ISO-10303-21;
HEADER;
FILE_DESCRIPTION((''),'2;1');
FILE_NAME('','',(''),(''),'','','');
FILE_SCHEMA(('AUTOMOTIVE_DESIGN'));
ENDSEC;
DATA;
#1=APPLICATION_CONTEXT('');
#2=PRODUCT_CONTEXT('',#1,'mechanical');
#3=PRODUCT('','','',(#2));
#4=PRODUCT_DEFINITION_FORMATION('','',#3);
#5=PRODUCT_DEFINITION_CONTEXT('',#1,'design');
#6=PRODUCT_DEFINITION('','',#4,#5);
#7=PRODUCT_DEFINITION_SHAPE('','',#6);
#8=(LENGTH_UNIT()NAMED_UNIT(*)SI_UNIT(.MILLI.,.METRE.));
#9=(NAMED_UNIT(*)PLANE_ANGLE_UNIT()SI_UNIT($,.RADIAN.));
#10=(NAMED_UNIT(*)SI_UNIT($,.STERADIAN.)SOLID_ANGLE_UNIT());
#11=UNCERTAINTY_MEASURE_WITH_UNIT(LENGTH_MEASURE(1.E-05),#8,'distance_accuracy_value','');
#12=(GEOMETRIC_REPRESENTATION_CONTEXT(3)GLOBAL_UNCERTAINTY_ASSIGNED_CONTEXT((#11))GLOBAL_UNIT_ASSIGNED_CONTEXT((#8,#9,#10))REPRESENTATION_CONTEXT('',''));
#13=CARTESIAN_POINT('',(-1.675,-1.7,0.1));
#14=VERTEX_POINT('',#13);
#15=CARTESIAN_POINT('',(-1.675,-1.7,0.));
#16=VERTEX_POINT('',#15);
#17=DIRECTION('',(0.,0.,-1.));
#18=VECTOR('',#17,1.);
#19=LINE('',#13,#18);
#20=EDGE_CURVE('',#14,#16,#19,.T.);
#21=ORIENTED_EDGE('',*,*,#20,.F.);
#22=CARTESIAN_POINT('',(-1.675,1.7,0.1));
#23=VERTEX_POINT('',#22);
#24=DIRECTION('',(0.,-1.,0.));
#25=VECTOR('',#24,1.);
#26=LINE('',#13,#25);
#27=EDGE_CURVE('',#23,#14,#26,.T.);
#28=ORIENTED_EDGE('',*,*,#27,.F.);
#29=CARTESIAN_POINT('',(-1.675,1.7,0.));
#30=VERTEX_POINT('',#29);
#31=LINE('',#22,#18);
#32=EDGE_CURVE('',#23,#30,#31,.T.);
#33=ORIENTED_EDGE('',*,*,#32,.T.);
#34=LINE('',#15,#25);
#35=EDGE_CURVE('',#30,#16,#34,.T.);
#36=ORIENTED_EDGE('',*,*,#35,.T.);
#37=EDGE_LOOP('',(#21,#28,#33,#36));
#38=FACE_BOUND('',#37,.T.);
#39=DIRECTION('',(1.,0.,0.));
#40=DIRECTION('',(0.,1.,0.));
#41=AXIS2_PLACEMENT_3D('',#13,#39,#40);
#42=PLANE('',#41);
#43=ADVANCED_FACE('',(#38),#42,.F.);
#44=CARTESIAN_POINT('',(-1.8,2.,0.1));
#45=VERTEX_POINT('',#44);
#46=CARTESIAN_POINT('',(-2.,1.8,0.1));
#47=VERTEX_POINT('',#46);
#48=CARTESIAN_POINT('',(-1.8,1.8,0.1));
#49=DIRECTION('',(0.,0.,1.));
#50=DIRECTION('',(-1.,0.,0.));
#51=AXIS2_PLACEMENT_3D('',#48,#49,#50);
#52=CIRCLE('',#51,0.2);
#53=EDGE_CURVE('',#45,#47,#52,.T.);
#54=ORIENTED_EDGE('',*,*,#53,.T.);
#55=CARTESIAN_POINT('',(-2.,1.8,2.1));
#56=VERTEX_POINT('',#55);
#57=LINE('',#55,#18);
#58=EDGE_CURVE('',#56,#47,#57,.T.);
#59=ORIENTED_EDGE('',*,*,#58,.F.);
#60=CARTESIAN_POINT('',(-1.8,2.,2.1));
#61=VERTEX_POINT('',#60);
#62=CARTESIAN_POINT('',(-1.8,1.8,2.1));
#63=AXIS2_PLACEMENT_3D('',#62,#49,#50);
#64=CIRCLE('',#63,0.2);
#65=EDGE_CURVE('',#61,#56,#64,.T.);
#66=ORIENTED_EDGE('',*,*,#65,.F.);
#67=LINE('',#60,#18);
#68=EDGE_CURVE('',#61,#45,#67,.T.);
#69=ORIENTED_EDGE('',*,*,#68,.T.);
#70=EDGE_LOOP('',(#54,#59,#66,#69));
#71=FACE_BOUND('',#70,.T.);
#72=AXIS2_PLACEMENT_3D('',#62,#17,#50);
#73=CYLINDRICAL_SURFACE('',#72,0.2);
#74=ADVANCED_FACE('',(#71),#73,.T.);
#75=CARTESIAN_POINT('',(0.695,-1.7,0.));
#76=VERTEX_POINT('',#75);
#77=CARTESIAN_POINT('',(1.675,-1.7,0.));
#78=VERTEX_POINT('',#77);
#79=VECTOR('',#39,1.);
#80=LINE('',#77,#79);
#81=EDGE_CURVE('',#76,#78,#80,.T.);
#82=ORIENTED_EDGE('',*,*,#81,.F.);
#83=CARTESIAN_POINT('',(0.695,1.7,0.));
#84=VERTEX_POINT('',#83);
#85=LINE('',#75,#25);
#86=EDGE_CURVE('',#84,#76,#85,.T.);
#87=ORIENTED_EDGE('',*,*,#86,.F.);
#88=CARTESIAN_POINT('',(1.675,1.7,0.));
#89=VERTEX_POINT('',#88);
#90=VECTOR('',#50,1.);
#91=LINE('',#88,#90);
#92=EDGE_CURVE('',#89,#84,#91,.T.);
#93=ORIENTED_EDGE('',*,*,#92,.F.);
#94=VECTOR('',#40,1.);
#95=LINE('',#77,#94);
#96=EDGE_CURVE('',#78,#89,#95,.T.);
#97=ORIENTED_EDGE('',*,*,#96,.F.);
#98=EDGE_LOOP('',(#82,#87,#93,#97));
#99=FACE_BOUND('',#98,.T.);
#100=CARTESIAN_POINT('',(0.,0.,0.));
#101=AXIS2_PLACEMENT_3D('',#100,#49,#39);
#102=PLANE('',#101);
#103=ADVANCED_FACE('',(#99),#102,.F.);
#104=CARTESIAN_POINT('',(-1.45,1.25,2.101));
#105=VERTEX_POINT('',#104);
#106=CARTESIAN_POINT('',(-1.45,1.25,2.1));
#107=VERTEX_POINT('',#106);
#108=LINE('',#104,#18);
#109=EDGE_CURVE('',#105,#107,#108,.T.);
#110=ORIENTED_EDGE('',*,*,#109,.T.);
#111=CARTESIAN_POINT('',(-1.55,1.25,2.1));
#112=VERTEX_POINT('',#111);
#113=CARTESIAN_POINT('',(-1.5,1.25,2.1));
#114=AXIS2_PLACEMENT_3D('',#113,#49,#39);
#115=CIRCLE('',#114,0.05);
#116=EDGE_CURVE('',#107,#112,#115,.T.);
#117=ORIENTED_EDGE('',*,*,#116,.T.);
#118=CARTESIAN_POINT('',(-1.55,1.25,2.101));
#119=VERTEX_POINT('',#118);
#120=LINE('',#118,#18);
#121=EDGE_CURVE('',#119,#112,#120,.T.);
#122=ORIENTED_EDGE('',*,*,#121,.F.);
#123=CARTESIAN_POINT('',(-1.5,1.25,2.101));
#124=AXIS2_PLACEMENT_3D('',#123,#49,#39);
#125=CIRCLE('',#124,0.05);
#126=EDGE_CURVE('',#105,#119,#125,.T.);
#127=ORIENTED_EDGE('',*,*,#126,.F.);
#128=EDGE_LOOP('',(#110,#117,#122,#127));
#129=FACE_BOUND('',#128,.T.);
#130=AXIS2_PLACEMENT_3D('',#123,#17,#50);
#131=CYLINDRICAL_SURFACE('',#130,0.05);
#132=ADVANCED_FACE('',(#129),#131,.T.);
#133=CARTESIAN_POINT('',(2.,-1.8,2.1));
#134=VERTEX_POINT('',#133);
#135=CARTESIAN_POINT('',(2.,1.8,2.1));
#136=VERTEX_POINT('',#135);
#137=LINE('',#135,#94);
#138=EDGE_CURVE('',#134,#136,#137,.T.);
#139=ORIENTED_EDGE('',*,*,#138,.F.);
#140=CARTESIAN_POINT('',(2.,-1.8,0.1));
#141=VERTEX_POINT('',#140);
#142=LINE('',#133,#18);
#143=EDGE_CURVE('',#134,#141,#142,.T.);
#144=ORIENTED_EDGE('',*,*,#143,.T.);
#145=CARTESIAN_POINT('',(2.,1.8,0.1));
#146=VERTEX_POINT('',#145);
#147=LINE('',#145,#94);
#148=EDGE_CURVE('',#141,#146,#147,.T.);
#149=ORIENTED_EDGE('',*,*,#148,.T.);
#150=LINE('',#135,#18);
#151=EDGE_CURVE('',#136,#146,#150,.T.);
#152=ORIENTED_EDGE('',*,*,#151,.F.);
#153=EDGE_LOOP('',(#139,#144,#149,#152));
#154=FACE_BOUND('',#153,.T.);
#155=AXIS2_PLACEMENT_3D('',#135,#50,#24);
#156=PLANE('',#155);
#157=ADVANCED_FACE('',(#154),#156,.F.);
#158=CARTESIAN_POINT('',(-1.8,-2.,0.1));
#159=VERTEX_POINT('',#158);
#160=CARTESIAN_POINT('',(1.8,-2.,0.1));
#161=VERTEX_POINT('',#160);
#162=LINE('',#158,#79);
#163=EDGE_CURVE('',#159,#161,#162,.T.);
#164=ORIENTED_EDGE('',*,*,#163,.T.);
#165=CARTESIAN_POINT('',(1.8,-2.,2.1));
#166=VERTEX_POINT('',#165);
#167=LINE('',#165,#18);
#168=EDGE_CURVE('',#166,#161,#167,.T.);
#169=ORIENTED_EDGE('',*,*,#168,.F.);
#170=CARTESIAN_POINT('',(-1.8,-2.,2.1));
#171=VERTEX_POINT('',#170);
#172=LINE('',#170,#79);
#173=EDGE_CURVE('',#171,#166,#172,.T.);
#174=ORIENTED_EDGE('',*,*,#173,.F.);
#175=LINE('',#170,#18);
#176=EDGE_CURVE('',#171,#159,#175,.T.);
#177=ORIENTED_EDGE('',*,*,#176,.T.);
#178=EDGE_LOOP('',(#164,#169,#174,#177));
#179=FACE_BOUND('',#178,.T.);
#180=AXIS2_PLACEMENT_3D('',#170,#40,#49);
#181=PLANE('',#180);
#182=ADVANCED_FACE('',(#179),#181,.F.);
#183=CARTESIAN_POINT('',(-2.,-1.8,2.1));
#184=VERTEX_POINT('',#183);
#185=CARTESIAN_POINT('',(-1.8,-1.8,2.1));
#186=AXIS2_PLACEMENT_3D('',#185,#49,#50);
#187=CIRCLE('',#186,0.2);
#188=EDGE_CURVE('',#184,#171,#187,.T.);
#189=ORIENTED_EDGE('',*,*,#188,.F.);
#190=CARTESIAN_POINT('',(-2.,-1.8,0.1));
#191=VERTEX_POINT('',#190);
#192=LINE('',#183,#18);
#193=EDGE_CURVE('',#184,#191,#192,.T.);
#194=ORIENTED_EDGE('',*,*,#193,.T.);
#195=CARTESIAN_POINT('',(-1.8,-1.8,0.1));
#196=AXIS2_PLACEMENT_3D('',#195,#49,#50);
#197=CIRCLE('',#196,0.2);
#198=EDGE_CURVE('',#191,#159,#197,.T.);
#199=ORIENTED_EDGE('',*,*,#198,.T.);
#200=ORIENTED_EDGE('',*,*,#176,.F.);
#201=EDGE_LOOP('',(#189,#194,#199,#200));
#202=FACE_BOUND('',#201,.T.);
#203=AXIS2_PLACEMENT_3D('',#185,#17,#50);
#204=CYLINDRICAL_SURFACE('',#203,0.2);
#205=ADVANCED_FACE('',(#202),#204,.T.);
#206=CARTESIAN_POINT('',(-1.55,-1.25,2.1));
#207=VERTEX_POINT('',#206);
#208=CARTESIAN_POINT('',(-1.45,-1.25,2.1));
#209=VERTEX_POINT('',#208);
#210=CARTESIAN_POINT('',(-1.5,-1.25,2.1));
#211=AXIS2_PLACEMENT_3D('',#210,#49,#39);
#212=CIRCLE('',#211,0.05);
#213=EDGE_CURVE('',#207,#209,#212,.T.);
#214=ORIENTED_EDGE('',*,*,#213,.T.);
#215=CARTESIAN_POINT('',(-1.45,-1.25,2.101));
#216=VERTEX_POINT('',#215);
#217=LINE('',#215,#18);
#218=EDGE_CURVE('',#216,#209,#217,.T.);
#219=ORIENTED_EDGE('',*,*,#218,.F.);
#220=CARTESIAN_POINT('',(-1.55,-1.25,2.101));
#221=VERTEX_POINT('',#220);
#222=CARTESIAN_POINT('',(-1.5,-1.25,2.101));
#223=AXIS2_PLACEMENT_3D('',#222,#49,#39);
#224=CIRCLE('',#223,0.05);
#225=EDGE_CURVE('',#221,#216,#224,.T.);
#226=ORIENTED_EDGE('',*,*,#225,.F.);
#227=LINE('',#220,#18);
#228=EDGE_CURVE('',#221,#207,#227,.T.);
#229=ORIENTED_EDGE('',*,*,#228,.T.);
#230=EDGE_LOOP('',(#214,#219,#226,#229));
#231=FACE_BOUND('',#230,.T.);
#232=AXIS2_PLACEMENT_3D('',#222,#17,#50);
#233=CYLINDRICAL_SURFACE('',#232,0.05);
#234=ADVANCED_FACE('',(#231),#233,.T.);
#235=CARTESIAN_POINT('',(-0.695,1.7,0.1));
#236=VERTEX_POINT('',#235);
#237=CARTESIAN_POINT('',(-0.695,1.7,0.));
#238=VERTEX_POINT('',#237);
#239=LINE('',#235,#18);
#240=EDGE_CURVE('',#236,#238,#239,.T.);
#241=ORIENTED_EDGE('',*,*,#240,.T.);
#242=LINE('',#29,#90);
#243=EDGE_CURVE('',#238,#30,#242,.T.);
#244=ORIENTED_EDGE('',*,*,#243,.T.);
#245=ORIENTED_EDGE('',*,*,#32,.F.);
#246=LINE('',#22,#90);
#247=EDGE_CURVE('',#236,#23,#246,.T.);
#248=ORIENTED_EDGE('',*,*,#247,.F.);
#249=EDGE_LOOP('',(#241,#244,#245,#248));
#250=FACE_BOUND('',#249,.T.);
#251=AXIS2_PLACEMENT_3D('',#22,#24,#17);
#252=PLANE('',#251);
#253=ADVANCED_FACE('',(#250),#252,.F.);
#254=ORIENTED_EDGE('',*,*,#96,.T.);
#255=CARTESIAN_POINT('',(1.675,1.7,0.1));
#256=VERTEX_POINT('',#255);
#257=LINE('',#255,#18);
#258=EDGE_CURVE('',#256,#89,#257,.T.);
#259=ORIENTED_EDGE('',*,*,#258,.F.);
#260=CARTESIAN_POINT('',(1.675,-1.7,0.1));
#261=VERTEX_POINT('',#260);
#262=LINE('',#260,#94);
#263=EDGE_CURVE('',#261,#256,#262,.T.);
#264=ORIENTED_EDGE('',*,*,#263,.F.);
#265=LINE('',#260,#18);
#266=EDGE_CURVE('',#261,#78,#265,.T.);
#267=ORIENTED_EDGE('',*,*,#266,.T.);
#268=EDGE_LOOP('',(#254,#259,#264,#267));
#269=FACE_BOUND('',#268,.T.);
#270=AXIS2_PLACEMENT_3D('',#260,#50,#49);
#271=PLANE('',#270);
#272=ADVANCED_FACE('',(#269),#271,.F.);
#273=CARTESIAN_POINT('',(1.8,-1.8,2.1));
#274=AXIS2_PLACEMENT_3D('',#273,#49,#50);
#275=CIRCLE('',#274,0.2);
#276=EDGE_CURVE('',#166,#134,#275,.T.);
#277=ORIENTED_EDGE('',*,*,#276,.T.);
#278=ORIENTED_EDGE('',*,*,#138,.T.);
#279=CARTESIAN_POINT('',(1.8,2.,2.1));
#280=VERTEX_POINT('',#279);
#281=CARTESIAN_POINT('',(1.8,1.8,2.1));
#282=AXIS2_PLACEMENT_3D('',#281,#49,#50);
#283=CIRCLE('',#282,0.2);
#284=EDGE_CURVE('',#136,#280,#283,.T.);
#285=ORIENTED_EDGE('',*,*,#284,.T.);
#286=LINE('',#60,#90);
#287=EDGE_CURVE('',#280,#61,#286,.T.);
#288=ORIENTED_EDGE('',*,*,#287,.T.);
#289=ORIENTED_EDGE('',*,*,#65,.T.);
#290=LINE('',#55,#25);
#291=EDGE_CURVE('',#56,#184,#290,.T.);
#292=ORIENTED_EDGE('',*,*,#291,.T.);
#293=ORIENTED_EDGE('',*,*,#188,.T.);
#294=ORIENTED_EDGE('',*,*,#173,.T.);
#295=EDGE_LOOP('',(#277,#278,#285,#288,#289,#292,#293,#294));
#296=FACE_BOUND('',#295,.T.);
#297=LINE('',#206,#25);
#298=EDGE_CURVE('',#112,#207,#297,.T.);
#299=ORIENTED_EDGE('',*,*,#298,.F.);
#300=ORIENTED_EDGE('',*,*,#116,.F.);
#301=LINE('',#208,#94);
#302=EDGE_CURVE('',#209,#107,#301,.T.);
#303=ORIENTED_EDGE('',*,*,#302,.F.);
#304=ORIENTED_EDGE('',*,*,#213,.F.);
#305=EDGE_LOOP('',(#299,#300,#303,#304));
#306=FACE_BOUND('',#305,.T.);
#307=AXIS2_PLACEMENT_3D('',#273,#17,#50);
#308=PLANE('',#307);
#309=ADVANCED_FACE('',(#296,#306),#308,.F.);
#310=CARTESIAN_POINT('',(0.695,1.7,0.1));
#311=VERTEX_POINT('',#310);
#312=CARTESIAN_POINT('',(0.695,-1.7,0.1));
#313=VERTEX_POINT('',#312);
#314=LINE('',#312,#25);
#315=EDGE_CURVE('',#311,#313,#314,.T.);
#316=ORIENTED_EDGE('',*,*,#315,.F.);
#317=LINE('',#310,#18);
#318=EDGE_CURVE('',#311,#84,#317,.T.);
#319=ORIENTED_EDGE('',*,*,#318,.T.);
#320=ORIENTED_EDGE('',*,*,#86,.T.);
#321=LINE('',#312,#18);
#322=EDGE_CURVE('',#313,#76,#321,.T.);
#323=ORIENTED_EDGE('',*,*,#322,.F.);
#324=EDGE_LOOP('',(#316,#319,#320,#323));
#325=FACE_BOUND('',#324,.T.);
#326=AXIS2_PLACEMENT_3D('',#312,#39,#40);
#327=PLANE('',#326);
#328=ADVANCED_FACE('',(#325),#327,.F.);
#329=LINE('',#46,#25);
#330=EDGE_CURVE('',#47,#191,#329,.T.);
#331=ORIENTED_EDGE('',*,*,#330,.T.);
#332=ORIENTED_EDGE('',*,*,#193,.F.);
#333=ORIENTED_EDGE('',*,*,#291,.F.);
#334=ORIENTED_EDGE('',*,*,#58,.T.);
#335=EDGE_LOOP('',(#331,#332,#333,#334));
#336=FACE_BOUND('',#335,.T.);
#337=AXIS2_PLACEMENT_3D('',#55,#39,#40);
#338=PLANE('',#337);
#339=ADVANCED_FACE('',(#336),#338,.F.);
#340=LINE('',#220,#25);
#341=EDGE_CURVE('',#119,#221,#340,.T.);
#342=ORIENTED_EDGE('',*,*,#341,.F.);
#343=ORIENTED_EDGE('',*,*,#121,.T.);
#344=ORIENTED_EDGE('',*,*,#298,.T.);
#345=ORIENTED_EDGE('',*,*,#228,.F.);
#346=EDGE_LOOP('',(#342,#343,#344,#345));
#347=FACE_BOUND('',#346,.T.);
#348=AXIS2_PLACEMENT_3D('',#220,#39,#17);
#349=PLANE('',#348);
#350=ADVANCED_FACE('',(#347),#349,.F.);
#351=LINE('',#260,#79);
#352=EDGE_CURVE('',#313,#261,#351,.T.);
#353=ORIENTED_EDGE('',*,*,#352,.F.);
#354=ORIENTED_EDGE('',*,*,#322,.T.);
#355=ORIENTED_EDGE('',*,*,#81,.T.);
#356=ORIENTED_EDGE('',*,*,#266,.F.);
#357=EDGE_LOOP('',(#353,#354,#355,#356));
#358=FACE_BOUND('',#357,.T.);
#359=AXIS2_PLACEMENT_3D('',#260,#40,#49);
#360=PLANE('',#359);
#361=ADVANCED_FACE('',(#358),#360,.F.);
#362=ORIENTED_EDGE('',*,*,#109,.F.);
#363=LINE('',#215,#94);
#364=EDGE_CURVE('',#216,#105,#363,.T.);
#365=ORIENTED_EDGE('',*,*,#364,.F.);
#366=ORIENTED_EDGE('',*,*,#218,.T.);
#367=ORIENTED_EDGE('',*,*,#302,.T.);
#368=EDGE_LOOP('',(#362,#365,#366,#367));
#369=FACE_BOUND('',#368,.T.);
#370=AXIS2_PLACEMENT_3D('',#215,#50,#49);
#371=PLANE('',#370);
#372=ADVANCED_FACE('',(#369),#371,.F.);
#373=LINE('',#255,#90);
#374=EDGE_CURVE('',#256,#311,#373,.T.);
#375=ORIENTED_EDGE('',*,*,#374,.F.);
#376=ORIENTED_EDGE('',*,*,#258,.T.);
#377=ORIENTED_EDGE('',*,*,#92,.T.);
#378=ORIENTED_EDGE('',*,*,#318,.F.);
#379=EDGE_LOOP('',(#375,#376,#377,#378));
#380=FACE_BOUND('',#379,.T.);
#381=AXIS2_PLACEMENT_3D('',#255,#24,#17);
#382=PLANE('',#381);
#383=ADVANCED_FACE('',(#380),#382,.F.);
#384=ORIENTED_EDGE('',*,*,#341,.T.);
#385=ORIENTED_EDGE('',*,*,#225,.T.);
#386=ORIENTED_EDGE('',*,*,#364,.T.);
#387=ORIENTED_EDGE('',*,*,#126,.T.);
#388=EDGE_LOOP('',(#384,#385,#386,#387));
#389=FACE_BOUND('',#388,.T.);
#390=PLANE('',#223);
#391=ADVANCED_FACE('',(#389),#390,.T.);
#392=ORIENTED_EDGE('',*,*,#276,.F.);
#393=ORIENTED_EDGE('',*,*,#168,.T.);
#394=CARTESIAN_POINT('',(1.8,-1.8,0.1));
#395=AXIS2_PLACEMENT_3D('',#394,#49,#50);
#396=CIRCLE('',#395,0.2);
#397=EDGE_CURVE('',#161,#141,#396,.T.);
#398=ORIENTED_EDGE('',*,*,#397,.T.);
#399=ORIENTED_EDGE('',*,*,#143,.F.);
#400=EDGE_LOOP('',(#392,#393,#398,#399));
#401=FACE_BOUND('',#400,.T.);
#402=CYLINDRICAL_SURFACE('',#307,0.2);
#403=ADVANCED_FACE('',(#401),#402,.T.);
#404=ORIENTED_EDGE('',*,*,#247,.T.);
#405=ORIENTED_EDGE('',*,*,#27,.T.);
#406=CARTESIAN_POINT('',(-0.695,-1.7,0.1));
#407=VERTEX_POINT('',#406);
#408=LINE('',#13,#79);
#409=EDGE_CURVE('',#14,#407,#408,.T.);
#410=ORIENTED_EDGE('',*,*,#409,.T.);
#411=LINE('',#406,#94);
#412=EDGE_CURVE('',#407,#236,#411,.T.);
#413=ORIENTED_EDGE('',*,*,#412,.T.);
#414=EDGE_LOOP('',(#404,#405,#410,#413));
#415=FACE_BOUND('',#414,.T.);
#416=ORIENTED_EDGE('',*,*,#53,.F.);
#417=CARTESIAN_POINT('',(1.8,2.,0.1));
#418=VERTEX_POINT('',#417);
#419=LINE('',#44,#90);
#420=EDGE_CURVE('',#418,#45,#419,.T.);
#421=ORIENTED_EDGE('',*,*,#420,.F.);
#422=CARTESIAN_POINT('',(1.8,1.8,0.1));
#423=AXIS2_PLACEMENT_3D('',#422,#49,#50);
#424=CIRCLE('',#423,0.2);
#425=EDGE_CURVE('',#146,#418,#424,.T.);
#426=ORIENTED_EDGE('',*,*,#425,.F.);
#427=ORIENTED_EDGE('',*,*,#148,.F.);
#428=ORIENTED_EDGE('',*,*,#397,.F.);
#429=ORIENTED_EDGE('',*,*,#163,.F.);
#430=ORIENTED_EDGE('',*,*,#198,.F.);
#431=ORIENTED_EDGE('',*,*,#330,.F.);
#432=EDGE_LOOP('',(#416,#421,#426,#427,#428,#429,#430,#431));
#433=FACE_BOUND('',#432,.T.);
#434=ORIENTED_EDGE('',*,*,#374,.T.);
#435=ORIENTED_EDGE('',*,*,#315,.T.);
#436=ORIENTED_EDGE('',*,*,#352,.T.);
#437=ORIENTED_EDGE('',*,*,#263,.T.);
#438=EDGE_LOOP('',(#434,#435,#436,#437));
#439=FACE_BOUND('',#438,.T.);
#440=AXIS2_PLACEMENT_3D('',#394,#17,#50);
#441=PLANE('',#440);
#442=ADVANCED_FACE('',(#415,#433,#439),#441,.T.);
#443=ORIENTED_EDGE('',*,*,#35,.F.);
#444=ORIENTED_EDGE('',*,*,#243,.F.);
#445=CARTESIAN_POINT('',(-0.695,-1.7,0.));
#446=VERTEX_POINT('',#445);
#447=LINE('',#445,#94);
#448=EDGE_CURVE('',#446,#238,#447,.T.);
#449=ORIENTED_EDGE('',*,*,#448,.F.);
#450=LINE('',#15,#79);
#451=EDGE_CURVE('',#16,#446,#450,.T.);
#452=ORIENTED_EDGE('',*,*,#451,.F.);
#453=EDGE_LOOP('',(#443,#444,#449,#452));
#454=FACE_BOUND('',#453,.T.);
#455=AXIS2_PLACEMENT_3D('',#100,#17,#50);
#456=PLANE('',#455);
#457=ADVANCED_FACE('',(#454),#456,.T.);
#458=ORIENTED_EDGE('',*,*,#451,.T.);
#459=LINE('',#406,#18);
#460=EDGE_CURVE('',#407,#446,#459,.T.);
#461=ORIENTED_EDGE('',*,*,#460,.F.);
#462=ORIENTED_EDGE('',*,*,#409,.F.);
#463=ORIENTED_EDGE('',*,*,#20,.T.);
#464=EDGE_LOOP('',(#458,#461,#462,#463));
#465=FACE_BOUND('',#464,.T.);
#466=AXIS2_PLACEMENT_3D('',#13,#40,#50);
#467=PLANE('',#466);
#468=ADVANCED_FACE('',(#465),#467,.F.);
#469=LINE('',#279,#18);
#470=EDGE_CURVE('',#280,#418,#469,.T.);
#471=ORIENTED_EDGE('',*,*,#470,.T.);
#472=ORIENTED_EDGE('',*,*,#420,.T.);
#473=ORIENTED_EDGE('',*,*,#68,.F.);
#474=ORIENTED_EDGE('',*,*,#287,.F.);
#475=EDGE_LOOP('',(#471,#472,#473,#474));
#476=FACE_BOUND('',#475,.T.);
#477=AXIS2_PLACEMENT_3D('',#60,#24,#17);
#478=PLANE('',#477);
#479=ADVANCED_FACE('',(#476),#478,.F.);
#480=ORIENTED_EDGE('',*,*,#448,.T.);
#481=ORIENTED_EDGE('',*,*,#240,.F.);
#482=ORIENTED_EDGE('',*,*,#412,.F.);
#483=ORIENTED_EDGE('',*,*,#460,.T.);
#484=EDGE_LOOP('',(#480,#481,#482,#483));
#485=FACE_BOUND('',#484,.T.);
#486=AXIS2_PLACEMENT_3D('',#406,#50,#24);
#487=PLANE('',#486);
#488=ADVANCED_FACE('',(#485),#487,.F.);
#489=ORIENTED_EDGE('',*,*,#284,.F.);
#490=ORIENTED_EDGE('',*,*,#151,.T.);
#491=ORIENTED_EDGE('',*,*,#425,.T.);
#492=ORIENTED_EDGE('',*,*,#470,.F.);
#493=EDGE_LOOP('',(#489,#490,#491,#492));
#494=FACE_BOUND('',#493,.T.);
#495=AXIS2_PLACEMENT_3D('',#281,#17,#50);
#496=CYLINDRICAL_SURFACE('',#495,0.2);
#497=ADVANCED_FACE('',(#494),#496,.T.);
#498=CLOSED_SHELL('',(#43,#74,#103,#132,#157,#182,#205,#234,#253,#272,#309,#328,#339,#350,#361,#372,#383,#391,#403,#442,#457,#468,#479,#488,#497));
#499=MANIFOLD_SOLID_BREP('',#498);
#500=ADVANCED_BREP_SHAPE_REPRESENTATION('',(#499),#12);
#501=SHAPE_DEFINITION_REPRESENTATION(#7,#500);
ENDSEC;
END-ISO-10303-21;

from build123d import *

# Parameters (mm, degrees)
ESQUISSE2_W  = 0.98
ESQUISSE2_H  = 3.4
PADS_DEPTH   = 0.1
PADS_2_DEPTH = 0.1
BODY_DEPTH   = 2
MARK_DEPTH   = 0.001


with BuildPart() as part:
    # Esquisse2 → pads (new body)
    with BuildSketch(Plane.XY):
        with Locations((-1.185, 0)):
            Rectangle(ESQUISSE2_W, ESQUISSE2_H)
    extrude(amount=PADS_DEPTH)



with BuildPart() as body_2:
    # Esquisse2 → pads 2 (new body)
    with BuildSketch(Plane.XY):
        with Locations((1.185, 0)):
            Rectangle(ESQUISSE2_W, ESQUISSE2_H)
    extrude(amount=PADS_2_DEPTH)


with BuildPart() as part_1:
    add(part.part)

    add(body_2.part)  # body merges body 2
    # Esquisse1 → body (add)
    with BuildSketch(Plane.XY.offset(0.1)):
        with BuildLine():
            Line((-1.8, 2), (1.8, 2))
            ThreePointArc((1.8, 2), (1.941421356, 1.941421356), (2, 1.8))
            Line((2, 1.8), (2, -1.8))
            ThreePointArc((2, -1.8), (1.941421356, -1.941421356), (1.8, -2))
            Line((1.8, -2), (-1.8, -2))
            ThreePointArc((-1.8, -2), (-1.941421356, -1.941421356), (-2, -1.8))
            Line((-2, -1.8), (-2, 1.8))
            ThreePointArc((-2, 1.8), (-1.941421356, 1.941421356), (-1.8, 2))
        make_face()
    extrude(amount=BODY_DEPTH)

    # Esquisse3 → mark (add)
    with BuildSketch(Plane.XY.offset(2.1)):
        with BuildLine():
            Line((-1.55, -1.25), (-1.55, 1.25))
            ThreePointArc((-1.55, 1.25), (-1.5, 1.3), (-1.45, 1.25))
            Line((-1.45, 1.25), (-1.45, -1.25))
            ThreePointArc((-1.45, -1.25), (-1.5, -1.3), (-1.55, -1.25))
        make_face()
    extrude(amount=MARK_DEPTH)


solid = part_1.part
